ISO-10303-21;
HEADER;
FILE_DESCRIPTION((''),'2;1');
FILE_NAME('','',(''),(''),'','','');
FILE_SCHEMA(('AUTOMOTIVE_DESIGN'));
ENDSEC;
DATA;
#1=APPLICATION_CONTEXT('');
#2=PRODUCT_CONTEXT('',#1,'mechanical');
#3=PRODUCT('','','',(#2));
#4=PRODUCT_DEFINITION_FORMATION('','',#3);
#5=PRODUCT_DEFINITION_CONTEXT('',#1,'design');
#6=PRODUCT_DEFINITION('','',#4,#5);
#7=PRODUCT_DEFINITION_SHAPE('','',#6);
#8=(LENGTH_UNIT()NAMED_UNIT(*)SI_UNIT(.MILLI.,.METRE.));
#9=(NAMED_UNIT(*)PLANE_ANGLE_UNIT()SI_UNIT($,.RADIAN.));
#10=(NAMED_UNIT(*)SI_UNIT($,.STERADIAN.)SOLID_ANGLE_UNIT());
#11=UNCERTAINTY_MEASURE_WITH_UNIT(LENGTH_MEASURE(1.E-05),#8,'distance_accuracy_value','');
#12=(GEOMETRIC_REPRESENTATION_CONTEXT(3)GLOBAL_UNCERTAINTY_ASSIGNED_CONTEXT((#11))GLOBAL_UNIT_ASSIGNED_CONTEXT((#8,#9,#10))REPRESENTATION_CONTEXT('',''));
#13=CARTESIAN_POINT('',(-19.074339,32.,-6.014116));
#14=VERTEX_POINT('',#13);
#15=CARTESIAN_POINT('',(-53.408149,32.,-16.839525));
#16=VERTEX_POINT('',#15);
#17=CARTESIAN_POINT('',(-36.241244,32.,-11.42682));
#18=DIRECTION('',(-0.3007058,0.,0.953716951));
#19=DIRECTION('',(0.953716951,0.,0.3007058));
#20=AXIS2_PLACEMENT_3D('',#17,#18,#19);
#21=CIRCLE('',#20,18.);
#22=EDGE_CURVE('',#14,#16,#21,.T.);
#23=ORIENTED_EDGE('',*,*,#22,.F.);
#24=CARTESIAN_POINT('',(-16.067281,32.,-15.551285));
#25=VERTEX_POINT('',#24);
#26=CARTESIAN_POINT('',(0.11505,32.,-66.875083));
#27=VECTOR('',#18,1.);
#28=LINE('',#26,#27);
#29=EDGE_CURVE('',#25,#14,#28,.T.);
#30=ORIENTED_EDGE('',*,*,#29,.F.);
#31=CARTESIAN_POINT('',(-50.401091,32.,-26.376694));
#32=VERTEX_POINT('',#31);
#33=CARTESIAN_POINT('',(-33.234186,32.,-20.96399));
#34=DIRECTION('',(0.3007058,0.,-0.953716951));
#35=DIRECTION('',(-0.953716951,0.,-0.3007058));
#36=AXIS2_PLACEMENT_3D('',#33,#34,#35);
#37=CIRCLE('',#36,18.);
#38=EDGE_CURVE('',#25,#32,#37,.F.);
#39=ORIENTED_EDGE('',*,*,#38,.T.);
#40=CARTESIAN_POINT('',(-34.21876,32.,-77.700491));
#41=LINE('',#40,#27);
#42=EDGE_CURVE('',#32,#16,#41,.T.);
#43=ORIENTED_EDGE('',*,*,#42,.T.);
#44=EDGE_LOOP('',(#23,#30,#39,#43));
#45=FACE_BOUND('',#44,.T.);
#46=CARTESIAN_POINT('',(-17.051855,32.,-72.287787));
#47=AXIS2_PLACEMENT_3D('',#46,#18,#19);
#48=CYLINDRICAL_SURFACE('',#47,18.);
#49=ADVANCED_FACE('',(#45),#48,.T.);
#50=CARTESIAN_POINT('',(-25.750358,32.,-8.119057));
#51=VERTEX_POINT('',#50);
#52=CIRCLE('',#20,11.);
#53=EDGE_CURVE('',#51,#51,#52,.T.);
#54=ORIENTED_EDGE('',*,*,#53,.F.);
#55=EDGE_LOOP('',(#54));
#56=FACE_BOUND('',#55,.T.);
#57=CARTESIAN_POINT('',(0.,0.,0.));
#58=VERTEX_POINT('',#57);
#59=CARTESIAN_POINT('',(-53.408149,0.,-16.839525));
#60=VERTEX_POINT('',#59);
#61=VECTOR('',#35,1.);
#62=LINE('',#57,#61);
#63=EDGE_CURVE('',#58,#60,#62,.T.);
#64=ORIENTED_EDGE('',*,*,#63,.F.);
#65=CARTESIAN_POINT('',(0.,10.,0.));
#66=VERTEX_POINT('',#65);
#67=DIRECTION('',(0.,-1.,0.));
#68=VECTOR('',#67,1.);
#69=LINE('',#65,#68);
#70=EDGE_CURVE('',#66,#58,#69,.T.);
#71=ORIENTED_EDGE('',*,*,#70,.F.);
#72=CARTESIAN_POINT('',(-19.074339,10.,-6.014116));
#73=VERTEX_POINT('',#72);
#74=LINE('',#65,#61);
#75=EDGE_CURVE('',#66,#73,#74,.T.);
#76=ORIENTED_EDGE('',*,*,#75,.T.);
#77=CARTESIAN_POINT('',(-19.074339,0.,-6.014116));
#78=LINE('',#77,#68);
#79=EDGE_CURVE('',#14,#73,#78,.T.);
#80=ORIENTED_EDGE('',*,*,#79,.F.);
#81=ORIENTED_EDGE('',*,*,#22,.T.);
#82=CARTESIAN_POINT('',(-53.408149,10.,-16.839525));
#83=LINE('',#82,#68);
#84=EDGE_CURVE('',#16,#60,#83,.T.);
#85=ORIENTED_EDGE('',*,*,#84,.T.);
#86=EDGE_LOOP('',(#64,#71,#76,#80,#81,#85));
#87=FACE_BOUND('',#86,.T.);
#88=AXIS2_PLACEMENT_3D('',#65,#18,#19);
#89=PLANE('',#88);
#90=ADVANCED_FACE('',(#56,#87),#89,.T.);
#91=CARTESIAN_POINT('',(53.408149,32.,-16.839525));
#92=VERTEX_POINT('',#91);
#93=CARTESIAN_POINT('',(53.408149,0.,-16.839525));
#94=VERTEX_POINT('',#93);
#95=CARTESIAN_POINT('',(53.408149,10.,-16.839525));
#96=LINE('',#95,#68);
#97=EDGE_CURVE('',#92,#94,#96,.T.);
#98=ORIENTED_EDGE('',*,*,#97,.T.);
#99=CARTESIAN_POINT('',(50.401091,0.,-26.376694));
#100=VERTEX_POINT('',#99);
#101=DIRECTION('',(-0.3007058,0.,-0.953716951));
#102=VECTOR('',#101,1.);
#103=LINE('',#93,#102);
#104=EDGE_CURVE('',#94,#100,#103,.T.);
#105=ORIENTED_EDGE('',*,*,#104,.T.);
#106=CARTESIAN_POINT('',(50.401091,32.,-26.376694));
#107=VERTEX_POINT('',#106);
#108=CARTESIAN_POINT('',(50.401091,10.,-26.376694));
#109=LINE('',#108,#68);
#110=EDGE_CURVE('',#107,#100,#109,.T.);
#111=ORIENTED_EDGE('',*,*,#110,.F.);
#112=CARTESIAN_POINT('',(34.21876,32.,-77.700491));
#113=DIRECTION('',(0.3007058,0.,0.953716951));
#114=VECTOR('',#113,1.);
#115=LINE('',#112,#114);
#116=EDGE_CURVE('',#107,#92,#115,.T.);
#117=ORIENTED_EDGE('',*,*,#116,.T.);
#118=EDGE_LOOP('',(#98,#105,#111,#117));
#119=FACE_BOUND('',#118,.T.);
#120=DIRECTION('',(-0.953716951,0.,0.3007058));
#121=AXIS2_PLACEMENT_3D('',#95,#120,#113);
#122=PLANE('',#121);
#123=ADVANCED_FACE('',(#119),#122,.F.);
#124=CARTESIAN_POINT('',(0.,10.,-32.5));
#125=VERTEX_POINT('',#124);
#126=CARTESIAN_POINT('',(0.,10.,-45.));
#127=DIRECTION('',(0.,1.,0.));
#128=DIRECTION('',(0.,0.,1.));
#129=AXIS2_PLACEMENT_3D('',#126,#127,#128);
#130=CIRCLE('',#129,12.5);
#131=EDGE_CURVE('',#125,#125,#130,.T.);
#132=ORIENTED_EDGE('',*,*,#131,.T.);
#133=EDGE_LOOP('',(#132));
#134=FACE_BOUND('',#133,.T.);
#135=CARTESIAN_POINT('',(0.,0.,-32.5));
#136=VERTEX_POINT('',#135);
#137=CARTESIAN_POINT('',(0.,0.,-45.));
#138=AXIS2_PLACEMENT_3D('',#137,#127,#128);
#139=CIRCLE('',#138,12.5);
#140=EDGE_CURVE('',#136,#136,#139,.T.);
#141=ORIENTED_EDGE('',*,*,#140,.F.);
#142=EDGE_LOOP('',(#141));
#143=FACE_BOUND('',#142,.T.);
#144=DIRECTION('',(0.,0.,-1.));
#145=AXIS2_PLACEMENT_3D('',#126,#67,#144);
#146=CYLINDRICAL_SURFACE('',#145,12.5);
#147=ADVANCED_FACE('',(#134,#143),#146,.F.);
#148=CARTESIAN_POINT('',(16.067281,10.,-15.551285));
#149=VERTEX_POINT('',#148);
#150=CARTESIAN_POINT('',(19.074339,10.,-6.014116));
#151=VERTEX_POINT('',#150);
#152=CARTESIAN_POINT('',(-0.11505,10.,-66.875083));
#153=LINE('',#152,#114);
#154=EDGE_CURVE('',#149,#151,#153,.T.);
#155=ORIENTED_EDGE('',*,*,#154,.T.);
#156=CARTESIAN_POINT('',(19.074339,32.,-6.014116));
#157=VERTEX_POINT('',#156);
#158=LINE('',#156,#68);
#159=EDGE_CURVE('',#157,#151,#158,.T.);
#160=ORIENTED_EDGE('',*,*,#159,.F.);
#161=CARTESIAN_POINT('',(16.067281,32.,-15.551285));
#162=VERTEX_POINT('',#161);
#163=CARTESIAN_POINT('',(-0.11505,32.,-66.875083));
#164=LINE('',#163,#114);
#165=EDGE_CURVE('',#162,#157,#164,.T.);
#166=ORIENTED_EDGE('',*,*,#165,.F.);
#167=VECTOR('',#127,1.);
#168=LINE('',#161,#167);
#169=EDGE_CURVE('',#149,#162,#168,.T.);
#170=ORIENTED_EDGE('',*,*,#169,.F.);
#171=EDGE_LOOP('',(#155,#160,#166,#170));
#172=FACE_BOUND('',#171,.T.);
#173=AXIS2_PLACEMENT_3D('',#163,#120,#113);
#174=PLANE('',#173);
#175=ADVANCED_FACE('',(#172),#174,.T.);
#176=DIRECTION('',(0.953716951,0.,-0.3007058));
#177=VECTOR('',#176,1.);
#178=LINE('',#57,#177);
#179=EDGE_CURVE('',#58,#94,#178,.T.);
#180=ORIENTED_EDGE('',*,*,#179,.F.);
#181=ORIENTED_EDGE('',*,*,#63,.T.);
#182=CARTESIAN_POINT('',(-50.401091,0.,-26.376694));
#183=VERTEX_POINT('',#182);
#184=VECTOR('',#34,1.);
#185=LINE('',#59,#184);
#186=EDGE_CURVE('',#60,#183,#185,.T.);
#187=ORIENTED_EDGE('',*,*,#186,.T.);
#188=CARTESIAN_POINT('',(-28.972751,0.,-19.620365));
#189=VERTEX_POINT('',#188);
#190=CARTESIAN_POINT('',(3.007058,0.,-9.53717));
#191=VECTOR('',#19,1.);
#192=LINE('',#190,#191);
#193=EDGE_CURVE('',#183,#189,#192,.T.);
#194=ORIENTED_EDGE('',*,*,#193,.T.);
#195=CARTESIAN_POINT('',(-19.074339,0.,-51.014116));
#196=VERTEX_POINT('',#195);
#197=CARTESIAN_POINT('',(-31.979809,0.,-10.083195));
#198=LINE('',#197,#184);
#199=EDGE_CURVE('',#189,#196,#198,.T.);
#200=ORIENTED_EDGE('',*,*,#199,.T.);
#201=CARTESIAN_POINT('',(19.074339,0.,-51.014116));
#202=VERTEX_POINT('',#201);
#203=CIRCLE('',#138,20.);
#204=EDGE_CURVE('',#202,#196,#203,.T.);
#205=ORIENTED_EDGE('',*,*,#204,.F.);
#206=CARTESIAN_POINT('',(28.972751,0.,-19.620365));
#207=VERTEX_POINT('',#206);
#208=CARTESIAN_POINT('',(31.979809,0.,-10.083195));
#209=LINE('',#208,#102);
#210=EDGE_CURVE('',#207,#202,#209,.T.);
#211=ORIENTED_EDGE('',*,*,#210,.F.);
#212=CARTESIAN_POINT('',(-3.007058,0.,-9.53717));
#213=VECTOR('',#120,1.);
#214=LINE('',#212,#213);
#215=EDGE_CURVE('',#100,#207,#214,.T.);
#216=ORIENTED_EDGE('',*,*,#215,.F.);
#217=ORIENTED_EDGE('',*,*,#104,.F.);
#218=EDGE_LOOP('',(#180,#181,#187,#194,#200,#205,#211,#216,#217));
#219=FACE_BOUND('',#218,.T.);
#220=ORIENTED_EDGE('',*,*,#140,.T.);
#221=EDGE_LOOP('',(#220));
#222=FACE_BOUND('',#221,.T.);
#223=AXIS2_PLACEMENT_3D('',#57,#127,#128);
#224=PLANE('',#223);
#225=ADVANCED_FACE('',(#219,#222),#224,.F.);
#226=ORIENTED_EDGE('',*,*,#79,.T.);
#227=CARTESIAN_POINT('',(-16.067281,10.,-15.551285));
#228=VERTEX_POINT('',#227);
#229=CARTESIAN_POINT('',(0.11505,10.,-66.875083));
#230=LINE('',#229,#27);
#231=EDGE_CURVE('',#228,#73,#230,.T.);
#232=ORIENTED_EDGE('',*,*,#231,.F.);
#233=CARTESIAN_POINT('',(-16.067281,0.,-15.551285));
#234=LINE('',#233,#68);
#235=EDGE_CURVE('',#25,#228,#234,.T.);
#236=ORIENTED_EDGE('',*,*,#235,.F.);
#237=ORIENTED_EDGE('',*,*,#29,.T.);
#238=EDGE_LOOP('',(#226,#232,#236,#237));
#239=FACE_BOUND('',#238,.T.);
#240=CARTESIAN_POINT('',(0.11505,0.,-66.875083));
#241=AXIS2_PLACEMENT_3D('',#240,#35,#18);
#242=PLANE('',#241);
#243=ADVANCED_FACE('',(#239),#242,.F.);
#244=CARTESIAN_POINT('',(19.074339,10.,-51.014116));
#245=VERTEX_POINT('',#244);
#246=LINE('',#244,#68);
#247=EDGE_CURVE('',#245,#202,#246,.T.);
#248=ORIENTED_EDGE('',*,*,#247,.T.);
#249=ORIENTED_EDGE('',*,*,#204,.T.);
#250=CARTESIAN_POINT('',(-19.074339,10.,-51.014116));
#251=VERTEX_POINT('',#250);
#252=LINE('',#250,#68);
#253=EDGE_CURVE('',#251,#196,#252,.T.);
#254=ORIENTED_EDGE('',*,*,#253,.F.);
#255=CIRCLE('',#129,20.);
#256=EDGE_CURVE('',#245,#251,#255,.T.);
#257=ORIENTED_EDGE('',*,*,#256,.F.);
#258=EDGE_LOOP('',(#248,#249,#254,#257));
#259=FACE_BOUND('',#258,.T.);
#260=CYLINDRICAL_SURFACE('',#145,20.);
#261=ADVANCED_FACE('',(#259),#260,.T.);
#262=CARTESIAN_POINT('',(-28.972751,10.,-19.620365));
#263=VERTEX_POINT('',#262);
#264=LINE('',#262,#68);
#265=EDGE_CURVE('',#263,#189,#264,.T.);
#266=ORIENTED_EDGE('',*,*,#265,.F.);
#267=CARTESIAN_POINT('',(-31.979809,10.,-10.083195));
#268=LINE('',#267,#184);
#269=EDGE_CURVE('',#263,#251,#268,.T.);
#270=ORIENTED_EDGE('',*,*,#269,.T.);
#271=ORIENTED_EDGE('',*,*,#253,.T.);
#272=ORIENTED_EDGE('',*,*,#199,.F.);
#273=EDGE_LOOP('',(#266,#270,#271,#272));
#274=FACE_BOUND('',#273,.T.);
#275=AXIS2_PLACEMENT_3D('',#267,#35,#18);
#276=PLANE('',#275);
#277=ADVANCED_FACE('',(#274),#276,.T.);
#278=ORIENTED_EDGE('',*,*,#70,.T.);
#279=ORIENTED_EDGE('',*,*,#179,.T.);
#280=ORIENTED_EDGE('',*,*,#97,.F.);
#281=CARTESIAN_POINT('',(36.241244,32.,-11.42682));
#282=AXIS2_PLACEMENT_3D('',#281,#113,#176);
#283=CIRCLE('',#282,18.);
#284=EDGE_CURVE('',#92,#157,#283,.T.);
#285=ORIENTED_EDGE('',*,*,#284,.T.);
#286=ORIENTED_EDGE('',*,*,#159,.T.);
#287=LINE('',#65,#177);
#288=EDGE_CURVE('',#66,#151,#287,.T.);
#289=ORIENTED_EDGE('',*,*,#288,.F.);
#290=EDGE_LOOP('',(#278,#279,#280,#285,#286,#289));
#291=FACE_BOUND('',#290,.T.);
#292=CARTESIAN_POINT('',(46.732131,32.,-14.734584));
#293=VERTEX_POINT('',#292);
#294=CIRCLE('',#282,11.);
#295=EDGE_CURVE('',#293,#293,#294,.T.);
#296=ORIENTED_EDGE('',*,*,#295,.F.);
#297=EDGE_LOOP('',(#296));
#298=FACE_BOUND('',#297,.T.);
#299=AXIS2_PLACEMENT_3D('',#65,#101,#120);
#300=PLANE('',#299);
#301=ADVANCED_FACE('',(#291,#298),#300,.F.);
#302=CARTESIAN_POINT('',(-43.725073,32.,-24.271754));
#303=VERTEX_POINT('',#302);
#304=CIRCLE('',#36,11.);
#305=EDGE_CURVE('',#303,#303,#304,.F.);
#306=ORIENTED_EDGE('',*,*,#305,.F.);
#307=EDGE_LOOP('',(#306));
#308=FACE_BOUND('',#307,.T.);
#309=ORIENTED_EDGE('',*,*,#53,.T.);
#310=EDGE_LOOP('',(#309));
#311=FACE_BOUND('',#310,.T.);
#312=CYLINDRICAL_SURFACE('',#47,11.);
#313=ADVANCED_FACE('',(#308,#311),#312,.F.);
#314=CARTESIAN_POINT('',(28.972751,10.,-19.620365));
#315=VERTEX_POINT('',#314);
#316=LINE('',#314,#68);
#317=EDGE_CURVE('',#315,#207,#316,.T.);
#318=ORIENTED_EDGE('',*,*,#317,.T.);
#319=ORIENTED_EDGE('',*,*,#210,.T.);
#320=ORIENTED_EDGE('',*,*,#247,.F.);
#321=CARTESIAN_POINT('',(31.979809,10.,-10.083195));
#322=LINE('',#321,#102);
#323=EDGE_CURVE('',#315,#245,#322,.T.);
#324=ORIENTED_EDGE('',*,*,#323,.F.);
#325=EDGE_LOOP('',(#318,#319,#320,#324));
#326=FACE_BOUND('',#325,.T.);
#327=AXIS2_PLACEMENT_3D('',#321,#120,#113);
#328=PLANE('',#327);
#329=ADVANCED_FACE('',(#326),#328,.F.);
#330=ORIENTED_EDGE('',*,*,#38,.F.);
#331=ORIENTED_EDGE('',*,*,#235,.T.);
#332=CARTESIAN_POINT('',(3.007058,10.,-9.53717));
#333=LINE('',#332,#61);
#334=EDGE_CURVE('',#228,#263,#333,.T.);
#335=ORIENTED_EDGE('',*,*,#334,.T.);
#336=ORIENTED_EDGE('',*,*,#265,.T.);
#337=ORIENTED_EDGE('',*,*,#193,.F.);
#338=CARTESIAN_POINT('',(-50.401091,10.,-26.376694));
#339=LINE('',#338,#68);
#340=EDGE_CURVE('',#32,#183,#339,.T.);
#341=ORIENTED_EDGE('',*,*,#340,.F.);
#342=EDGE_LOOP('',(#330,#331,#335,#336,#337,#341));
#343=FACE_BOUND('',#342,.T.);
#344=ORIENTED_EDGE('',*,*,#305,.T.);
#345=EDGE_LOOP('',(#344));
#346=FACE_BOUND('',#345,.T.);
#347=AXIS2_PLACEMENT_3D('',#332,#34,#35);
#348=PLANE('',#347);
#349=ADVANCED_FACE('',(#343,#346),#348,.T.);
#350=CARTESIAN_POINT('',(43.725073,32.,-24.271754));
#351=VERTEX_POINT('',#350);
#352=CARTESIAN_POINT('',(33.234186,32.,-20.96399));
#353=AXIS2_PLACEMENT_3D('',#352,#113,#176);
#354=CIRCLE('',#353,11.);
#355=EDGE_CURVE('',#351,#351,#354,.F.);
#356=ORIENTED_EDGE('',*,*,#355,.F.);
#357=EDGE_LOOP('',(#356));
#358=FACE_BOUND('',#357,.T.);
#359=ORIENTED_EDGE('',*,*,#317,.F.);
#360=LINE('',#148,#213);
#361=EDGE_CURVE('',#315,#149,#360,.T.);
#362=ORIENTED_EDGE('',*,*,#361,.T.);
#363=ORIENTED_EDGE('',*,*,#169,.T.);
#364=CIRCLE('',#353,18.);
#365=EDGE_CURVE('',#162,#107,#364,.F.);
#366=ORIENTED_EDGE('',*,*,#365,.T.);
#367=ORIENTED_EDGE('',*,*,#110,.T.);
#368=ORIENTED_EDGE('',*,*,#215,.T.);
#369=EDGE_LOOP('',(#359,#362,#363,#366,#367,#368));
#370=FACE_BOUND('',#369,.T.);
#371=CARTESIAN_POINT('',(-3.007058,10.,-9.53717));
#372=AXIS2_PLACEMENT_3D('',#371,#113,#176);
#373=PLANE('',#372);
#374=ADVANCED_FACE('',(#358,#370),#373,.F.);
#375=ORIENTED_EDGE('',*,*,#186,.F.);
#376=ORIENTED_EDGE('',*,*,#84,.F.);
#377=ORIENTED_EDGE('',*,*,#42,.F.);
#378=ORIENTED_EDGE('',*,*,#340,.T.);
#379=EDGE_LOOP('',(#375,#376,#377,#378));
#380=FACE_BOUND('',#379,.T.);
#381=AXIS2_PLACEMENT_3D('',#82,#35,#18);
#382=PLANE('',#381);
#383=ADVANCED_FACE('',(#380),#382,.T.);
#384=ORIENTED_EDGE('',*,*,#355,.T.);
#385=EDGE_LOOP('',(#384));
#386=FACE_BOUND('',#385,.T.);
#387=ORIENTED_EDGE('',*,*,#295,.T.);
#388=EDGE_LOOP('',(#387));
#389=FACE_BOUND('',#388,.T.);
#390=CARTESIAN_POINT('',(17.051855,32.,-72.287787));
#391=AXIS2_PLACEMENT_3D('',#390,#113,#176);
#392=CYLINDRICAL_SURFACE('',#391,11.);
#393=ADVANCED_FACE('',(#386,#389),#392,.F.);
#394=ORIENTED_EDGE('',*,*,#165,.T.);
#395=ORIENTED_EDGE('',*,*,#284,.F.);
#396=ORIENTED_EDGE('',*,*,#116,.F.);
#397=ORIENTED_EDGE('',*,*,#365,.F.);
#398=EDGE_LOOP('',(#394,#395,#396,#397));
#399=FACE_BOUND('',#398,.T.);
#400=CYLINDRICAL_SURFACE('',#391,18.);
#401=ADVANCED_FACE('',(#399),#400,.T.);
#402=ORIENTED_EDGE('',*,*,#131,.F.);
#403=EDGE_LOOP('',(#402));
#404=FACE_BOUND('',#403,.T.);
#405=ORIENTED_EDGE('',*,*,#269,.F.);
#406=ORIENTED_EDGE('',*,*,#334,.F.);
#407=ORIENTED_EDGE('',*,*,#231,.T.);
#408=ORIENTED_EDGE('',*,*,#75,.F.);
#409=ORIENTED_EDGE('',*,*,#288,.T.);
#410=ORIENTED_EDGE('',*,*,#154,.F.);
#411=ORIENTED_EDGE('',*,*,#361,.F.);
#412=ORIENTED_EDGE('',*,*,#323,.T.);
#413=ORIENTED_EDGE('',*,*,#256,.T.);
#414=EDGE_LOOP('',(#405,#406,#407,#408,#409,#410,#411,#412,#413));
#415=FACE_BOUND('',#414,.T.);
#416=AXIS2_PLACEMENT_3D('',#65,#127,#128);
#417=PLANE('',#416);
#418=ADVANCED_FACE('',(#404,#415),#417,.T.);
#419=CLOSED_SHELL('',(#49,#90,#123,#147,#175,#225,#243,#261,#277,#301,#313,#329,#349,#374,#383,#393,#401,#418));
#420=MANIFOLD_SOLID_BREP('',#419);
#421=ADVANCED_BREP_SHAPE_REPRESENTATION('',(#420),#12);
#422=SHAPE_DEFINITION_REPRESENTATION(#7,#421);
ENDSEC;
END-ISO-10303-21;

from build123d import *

# Parameters (mm, degrees)
SKETCH1_R           = 12.5
BOSS_EXTRUDE1_DEPTH = 10
SKETCH2_R           = 11
BOSS_EXTRUDE2_DEPTH = 10
SKETCH4_R           = 11
BOSS_EXTRUDE3_DEPTH = 10


with BuildPart() as part:
    # Sketch1 → Boss-Extrude1 (new body)
    with BuildSketch(Plane(origin=(0, 0, 0), x_dir=(1, 0, 0), z_dir=(0, 1, 0))):
        with BuildLine():
            Line((0, 0), (53.408149242, 16.839524772))
            Line((53.408149242, 16.839524772), (50.401091247, 26.37669428))
            Line((50.401091247, 26.37669428), (28.972750838, 19.620364501))
            Line((28.972750838, 19.620364501), (19.074339015, 51.01411599))
            ThreePointArc((19.074339015, 51.01411599), (0, 65), (-19.074339015, 51.01411599))
            Line((-19.074339015, 51.01411599), (-28.972750838, 19.620364501))
            Line((-28.972750838, 19.620364501), (-50.401091247, 26.37669428))
            Line((-50.401091247, 26.37669428), (-53.408149242, 16.839524772))
            Line((-53.408149242, 16.839524772), (0, 0))
        make_face()
        with Locations((0, 45)):
            Circle(SKETCH1_R, mode=Mode.SUBTRACT)
    extrude(amount=BOSS_EXTRUDE1_DEPTH)

    # Sketch2 → Boss-Extrude2 (add)
    with BuildSketch(Plane(origin=(0, 0, 0), x_dir=(0.953716951, 0, -0.3007058), z_dir=(0.3007058, 0, 0.953716951))):
        with BuildLine():
            Line((56, 32), (56, 10))
            Line((56, 10), (20, 10))
            Line((20, 10), (20, 32))
            ThreePointArc((20, 32), (38, 50), (56, 32))
        make_face()
        with Locations((38, 32)):
            Circle(SKETCH2_R, mode=Mode.SUBTRACT)
    extrude(amount=-BOSS_EXTRUDE2_DEPTH)

    # Sketch4 → Boss-Extrude3 (add)
    with BuildSketch(Plane(origin=(0, 0, 0), x_dir=(0.953716951, 0, 0.3007058), z_dir=(-0.3007058, 0, 0.953716951))):
        with BuildLine():
            Line((-20, 10), (-20, 32))
            ThreePointArc((-20, 32), (-38, 50), (-56, 32))
            Line((-56, 32), (-56, 10))
            Line((-56, 10), (-20, 10))
        make_face()
        with Locations((-38, 32)):
            Circle(SKETCH4_R, mode=Mode.SUBTRACT)
    extrude(amount=-BOSS_EXTRUDE3_DEPTH)


solid = part.part
